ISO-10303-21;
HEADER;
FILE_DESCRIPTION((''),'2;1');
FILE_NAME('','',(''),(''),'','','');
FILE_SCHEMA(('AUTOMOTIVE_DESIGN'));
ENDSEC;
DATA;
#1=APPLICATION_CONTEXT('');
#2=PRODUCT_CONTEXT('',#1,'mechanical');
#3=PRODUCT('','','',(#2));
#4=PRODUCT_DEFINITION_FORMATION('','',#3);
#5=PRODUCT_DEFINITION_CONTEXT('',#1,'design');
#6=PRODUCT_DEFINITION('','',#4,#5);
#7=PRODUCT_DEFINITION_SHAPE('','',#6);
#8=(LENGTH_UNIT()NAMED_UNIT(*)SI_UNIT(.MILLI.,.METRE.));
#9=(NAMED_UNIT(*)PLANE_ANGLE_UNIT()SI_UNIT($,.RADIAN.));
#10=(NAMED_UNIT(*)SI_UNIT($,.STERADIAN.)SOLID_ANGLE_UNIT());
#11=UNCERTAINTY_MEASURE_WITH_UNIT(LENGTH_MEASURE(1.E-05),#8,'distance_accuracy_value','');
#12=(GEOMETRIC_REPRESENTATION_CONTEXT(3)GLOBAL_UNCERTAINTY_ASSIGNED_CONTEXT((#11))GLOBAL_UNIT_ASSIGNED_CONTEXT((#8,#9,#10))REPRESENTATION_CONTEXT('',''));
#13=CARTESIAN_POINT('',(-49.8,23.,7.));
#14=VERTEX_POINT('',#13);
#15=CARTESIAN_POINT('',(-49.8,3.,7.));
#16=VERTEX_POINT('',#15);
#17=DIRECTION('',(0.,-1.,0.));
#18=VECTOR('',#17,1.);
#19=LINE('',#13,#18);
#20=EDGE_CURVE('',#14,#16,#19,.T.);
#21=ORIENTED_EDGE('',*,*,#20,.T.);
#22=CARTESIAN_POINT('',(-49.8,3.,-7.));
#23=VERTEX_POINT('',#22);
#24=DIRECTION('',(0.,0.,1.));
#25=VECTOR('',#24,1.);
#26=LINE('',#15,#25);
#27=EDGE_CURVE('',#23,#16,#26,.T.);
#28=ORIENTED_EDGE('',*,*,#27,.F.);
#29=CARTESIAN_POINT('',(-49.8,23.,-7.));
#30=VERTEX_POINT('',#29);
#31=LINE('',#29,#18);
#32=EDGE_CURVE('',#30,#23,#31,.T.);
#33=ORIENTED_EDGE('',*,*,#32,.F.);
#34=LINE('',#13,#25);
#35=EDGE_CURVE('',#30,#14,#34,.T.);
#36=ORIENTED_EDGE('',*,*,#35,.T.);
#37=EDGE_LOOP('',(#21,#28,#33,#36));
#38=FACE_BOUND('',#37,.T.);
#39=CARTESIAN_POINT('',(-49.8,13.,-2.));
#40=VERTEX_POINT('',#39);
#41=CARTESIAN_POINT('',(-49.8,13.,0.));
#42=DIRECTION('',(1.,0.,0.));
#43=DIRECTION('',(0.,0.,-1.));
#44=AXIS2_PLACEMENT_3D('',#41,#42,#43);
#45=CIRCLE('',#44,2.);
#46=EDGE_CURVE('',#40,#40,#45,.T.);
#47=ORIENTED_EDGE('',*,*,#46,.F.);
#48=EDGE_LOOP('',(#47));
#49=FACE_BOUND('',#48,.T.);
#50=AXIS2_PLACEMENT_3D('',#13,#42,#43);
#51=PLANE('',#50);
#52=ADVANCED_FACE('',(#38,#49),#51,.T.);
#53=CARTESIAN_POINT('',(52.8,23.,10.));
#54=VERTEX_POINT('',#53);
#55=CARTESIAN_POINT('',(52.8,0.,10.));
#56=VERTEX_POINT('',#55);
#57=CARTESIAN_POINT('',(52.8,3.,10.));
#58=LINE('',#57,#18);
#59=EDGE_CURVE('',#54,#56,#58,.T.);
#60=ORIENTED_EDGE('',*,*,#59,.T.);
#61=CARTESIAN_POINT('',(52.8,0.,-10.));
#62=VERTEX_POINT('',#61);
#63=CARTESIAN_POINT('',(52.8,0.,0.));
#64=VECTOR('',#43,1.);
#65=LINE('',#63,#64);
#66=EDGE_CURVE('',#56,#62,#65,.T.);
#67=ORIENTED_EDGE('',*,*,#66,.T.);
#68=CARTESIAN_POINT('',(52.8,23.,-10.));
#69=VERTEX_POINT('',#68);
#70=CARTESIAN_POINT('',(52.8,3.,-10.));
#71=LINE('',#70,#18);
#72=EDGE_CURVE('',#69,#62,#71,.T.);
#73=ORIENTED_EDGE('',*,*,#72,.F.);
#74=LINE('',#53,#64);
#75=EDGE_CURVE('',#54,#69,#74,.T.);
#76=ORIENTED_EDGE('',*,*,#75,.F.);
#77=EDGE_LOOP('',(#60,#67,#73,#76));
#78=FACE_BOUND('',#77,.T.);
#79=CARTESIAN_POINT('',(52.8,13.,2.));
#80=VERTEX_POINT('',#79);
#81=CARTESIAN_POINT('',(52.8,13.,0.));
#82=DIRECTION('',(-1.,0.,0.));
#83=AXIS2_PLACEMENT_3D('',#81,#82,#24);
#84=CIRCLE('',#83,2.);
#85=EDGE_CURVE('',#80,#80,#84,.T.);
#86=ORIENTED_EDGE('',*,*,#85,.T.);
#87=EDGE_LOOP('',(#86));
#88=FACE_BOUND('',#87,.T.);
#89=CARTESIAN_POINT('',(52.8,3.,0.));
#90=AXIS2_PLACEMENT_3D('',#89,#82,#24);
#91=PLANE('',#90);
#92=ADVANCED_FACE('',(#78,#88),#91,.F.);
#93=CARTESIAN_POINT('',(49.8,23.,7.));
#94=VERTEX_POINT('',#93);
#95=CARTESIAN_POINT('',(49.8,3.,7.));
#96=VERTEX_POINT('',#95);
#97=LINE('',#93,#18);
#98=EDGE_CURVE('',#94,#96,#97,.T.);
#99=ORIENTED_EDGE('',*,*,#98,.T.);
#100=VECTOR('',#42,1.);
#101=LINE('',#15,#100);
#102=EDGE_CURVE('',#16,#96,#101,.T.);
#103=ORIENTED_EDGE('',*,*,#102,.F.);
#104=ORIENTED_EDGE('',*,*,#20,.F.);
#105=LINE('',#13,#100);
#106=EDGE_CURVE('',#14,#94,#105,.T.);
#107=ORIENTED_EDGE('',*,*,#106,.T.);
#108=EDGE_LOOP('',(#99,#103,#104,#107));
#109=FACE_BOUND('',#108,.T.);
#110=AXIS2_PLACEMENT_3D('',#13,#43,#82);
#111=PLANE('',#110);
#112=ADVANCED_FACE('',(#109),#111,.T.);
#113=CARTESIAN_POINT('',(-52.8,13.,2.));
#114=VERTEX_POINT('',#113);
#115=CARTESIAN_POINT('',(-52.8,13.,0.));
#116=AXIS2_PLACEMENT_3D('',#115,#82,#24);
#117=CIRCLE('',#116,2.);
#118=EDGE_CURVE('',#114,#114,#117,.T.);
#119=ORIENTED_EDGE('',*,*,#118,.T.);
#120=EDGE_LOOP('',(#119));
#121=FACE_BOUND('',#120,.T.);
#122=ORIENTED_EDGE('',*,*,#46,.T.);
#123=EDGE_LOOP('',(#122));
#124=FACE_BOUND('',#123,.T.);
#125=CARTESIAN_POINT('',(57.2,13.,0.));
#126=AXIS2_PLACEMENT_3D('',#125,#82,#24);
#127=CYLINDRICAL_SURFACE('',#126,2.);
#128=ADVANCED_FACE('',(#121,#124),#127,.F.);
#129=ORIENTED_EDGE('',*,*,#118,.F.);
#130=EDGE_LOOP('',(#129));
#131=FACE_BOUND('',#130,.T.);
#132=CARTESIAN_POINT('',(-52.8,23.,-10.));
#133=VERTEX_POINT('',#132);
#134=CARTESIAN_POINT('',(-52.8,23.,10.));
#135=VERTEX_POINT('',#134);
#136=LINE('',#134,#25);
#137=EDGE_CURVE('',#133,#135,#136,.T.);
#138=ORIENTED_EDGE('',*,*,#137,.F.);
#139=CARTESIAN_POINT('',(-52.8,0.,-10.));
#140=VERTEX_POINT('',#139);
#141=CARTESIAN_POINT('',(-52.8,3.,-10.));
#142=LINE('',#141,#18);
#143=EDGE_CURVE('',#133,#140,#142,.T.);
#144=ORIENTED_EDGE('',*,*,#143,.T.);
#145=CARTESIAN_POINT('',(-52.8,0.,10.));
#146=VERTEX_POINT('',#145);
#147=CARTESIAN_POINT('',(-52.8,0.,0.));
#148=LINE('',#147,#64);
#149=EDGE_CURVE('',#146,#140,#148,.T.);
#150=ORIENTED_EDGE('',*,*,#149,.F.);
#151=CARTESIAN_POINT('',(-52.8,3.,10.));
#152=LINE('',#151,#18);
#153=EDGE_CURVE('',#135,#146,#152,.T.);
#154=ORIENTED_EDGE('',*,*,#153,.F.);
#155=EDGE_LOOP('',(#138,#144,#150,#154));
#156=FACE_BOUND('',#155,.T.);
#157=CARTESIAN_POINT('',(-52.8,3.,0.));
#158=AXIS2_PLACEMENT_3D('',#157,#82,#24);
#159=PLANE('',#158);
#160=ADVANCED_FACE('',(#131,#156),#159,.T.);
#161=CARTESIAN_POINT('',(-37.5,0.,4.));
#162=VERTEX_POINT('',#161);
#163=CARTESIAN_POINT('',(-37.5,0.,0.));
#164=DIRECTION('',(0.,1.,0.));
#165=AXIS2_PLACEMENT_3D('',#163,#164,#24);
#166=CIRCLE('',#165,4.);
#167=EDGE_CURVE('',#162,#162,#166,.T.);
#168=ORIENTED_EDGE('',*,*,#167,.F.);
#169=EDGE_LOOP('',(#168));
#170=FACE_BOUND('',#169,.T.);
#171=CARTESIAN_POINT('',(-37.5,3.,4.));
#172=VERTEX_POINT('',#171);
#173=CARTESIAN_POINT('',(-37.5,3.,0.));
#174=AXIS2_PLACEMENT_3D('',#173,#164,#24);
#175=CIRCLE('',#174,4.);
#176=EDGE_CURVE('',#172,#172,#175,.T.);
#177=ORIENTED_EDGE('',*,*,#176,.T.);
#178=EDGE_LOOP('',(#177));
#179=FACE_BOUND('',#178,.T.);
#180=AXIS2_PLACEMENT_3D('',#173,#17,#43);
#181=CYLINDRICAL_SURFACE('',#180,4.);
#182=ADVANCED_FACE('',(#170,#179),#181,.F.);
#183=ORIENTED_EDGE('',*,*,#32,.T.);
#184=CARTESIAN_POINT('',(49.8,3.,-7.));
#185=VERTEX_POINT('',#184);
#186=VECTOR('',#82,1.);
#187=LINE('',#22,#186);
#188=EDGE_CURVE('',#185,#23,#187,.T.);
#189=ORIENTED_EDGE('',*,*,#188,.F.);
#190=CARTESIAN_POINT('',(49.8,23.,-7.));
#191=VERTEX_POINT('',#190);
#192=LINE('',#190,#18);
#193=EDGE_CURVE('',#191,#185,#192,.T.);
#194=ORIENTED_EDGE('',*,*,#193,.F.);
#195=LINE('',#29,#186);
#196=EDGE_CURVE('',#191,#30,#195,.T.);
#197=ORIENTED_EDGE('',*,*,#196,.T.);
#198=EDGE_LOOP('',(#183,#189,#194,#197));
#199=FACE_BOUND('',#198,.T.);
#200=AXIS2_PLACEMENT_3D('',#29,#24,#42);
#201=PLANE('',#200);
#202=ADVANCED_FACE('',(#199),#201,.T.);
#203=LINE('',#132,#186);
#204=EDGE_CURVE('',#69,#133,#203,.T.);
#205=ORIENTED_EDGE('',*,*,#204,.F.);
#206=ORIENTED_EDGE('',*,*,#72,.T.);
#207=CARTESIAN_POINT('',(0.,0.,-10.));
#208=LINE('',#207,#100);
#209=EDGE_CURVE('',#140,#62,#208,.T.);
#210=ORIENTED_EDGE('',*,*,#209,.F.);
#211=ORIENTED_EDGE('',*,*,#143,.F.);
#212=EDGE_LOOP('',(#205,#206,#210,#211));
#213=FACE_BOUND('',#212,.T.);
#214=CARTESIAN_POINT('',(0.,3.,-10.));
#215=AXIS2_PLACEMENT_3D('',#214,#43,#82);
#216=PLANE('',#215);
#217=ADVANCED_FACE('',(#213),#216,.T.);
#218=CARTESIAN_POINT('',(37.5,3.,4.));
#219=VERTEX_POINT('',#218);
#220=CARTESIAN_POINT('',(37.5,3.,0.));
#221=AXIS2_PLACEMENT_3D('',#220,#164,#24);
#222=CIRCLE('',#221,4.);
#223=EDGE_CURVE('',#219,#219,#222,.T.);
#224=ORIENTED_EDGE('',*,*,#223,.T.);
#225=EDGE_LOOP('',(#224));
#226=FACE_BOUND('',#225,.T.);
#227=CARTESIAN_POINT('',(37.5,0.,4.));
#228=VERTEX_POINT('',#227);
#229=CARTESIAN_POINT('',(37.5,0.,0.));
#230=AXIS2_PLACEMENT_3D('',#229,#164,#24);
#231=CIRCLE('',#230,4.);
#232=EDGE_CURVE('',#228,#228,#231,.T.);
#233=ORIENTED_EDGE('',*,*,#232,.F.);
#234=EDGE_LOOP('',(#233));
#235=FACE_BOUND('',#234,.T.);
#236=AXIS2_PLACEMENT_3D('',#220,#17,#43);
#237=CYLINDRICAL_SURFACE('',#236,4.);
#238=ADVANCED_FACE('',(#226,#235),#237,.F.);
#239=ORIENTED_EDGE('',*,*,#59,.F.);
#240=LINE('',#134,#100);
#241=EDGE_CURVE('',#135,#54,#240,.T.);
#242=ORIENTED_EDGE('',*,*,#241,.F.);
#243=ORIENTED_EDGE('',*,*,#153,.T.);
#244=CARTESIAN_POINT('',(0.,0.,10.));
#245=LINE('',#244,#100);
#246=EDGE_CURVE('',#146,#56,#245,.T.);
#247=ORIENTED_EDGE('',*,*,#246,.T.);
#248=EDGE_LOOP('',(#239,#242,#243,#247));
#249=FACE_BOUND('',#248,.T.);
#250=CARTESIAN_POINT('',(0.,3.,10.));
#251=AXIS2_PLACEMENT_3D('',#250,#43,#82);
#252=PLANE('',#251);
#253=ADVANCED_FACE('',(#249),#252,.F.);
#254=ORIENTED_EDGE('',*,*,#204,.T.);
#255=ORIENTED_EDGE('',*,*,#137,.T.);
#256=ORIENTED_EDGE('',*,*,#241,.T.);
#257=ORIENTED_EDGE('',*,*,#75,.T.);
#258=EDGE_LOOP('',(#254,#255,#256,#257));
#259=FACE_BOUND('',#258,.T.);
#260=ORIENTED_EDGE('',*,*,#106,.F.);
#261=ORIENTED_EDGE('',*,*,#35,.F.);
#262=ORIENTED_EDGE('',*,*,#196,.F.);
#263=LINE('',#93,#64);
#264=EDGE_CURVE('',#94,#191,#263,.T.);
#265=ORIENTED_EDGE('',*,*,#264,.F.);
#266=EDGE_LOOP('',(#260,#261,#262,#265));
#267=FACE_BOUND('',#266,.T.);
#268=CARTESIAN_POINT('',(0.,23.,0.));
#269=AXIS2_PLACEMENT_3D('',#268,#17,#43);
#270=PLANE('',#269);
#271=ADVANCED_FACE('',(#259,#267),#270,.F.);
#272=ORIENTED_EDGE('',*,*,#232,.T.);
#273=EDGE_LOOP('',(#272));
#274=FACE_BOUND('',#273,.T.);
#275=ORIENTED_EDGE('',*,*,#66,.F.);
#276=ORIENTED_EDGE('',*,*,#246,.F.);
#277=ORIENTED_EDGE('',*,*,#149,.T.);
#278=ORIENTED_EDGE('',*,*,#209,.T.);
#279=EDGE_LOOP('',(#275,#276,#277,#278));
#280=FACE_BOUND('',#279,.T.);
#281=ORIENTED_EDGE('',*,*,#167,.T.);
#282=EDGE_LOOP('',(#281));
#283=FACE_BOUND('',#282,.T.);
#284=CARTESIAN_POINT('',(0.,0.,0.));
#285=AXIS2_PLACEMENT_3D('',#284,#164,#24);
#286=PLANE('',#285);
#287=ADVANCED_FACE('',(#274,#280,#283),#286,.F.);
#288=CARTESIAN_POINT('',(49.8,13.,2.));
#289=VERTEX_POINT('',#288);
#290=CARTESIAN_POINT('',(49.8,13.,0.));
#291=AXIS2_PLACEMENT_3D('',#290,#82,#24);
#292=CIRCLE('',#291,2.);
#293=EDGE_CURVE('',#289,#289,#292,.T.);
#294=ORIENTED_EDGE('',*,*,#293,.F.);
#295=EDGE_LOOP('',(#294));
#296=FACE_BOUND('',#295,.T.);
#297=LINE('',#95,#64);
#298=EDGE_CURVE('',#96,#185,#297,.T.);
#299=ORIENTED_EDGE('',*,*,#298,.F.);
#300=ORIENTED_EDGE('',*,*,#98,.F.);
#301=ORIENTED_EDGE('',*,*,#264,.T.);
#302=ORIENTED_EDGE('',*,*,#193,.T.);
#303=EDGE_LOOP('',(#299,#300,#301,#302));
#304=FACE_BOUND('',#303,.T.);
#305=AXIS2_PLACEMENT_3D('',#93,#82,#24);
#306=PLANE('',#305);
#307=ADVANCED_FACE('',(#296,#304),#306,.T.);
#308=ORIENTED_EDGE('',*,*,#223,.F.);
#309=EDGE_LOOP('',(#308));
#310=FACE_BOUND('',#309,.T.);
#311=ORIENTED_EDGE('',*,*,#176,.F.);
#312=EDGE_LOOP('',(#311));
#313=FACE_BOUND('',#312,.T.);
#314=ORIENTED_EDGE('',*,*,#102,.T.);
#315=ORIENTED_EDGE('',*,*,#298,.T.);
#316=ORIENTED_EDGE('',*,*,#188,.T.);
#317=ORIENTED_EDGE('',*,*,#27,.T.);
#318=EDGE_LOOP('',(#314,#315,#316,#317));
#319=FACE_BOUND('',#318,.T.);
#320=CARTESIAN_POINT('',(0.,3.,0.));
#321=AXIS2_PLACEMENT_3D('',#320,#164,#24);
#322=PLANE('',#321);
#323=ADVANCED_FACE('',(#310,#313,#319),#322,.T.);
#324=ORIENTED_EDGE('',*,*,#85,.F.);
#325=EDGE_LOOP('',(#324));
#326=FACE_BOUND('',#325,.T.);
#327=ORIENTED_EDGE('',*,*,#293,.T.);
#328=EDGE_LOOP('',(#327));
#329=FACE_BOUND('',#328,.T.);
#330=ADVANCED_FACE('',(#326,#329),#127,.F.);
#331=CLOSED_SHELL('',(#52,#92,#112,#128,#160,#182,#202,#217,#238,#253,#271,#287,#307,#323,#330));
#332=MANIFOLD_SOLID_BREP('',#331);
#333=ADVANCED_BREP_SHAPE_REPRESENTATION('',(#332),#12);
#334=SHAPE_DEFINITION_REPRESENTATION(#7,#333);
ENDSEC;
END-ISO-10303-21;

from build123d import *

# Parameters (mm, degrees)
SKETCH_1_W          = 105.6
SKETCH_1_H          = 20
SKETCH_1_R          = 4
EXTRUDE_1_DEPTH     = 3
SKETCH_10_W         = 105.6
SKETCH_10_H         = 20
SKETCH_10_W_2       = 99.6
SKETCH_10_H_2       = 14
EXTRUDE_2_DEPTH     = 20
SKETCH_11_R         = 2
CUT_EXTRUDE_1_DEPTH = 110


with BuildPart() as part:
    # 草图1 → 凸台-拉伸1 (new body)
    with BuildSketch(Plane(origin=(0, 0, 0), x_dir=(1, 0, 0), z_dir=(0, 1, 0))):
        Rectangle(SKETCH_1_W, SKETCH_1_H)
        with Locations((-37.5, 0)):
            Circle(SKETCH_1_R, mode=Mode.SUBTRACT)
        with Locations((37.5, 0)):
            Circle(SKETCH_1_R, mode=Mode.SUBTRACT)
    extrude(amount=EXTRUDE_1_DEPTH)

    # 草图10 → 凸台-拉伸2 (add)
    with BuildSketch(Plane(origin=(0, 3, 0), x_dir=(1, 0, 0), z_dir=(0, 1, 0))):
        Rectangle(SKETCH_10_W, SKETCH_10_H)
        Rectangle(SKETCH_10_W_2, SKETCH_10_H_2, mode=Mode.SUBTRACT)
    extrude(amount=EXTRUDE_2_DEPTH)

    # 草图11 → 切除-拉伸1 (cut)
    with BuildSketch(Plane.ZY.offset(52.8)):
        with Locations((0, 13)):
            Circle(SKETCH_11_R)
    extrude(amount=-CUT_EXTRUDE_1_DEPTH, mode=Mode.SUBTRACT)


solid = part.part
